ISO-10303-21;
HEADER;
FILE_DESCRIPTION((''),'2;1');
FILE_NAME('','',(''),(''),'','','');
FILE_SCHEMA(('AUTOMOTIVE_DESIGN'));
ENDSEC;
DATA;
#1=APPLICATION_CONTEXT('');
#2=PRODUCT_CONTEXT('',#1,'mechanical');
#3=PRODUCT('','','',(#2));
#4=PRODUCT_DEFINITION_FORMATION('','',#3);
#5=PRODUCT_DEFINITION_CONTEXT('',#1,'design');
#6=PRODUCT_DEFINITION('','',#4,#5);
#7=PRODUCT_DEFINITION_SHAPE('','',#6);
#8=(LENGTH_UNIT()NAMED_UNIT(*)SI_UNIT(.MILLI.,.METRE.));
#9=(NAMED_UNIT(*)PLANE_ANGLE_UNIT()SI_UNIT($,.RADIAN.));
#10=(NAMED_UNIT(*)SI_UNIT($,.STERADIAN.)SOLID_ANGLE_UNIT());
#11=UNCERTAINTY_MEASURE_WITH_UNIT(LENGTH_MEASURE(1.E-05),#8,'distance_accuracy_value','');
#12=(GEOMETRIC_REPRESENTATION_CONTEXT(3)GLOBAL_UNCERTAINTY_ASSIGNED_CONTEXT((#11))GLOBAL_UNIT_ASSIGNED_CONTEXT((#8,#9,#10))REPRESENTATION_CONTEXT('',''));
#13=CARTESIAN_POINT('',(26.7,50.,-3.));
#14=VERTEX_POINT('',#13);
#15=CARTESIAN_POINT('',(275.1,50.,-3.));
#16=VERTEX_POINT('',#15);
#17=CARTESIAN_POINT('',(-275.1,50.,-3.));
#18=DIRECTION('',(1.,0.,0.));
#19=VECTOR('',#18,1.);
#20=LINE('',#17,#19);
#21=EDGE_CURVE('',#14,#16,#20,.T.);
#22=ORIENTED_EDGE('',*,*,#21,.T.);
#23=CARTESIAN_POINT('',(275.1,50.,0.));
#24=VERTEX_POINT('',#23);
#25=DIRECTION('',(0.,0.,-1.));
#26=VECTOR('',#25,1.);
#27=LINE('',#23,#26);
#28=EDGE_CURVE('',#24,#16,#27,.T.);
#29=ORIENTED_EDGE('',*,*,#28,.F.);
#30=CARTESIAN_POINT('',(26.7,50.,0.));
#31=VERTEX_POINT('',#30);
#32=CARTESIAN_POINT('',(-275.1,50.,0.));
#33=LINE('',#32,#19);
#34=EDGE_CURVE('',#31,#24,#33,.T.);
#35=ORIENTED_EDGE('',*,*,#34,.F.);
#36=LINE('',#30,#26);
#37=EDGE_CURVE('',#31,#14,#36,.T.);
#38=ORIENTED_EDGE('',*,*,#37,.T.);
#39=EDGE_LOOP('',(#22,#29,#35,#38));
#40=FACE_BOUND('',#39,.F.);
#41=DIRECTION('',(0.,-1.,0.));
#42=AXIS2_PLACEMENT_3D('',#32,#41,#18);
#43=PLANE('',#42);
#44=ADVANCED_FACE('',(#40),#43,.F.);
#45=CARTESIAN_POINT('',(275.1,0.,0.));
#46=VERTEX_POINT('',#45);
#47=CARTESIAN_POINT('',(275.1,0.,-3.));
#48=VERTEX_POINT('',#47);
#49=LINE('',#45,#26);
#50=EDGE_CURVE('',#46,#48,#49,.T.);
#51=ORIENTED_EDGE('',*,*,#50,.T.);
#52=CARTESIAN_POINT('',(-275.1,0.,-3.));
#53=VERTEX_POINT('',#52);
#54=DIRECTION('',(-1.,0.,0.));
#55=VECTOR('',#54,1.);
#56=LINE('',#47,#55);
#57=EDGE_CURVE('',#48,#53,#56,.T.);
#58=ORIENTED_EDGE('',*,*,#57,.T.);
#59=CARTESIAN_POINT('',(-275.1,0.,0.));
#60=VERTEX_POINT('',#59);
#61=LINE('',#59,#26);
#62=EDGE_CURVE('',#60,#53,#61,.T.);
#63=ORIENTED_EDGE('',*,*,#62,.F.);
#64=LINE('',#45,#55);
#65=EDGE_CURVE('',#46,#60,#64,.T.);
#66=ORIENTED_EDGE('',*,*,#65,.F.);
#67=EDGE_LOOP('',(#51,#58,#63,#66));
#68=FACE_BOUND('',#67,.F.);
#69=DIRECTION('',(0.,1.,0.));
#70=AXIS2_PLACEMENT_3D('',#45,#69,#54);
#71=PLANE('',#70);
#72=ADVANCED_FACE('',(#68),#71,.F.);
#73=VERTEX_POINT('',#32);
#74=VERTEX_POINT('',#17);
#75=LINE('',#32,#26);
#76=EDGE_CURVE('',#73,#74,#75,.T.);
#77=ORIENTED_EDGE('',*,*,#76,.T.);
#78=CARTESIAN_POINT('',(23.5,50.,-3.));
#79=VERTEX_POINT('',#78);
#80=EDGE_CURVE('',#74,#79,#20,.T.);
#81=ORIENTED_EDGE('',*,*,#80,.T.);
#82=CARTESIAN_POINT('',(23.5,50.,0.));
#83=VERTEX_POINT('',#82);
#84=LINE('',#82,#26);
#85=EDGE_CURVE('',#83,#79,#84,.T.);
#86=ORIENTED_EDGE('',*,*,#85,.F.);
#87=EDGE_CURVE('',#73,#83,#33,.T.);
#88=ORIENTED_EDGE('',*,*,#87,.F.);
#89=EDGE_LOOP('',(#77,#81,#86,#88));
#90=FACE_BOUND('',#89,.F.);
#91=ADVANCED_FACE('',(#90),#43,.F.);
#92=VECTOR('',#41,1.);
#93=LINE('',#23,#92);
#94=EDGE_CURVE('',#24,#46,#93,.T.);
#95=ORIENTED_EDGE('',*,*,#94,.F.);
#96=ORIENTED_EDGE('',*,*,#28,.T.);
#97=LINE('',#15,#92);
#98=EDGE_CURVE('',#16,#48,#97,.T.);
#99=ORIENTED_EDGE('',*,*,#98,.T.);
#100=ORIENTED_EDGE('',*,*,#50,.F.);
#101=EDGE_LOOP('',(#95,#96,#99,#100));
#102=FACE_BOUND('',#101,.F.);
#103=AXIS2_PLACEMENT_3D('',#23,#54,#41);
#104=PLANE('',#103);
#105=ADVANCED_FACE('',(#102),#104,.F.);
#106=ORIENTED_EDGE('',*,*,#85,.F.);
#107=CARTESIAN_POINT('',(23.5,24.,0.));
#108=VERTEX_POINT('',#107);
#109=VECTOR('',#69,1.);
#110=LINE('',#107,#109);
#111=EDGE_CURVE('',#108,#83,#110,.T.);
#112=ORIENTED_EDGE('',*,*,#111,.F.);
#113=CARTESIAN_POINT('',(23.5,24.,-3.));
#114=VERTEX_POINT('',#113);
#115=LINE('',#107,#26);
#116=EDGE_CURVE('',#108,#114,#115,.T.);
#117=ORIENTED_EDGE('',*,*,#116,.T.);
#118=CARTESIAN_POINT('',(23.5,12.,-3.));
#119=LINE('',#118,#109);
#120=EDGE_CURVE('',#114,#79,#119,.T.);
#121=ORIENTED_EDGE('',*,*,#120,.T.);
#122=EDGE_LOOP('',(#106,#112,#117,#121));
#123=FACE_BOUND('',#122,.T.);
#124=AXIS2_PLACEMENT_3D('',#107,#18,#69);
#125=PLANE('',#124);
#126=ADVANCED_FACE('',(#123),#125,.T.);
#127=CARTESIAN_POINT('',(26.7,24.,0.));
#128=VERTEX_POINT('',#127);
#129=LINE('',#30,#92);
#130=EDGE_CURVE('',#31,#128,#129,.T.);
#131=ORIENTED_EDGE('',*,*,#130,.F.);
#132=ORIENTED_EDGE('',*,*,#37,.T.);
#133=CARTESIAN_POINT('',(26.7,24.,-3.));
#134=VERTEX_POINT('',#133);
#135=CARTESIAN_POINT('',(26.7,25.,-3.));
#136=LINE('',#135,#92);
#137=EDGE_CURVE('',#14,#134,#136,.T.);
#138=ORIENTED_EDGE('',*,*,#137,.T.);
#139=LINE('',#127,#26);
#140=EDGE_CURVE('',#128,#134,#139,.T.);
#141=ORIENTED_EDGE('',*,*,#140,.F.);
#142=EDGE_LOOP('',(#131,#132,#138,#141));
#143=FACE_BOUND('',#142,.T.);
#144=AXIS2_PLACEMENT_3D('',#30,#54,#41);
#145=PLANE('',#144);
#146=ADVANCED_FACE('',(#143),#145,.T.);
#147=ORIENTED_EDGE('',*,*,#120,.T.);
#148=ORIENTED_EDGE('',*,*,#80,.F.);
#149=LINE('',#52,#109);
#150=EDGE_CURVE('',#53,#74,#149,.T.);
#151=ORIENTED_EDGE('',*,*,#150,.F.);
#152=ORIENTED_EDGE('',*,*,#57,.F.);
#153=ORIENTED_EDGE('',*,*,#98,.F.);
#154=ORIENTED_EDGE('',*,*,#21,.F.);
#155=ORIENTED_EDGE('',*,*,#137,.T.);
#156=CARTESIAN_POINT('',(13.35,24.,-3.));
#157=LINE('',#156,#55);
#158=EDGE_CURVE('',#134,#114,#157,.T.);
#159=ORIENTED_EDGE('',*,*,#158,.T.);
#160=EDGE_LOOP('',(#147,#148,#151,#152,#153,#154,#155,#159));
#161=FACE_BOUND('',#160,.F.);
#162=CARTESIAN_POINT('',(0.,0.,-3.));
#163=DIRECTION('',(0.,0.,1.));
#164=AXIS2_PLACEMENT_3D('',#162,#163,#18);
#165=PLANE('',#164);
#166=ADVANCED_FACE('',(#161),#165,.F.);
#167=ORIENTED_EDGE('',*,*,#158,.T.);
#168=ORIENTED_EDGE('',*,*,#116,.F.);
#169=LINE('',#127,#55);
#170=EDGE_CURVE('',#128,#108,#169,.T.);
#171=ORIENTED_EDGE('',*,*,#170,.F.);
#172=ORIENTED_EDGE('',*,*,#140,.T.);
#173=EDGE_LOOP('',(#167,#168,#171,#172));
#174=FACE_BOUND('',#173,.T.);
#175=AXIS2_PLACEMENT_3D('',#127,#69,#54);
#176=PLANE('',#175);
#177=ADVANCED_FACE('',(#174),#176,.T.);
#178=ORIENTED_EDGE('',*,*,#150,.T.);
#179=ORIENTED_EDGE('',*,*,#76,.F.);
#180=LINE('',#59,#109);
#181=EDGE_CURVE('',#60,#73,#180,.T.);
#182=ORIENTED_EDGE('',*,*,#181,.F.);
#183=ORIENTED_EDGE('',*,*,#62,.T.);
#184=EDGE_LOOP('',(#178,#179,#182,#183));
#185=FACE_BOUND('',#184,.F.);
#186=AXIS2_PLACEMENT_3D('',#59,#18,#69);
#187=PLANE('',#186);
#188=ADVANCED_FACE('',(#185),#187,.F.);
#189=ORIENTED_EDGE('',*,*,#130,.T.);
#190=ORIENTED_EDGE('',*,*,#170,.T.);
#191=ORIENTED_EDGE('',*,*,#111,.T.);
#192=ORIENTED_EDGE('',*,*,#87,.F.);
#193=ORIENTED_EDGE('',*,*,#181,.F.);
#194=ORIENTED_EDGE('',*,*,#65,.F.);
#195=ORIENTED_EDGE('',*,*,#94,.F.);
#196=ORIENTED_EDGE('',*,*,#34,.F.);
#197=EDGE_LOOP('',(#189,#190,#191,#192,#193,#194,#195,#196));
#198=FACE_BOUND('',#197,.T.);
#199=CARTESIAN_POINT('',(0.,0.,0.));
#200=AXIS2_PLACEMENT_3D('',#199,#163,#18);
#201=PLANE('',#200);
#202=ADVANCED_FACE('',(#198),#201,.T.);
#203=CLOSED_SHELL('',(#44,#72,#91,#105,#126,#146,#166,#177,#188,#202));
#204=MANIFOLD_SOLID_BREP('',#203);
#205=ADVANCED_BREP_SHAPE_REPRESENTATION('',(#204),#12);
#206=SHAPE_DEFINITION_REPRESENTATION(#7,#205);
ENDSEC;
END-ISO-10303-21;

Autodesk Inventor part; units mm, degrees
ref_plane "YZ Plane" through (0, 0, 0) normal (1, 0, 0) x (0, 1, 0)
ref_plane "XZ Plane" through (0, 0, 0) normal (0, 1, 0) x (-1, 0, 0)
ref_plane "XY Plane" through (0, 0, 0) normal (0, 0, 1) x (1, 0, 0)
sketch "Sketch8" plane through (0, 0, 0) normal (0, 0, 1) x (1, 0, 0)
  line L0 (-275.1, 50) -> (275.1, 50)
  line L1 (275.1, 50) -> (275.1, 0)
  line L2 (275.1, 0) -> (-275.1, 0)
  line L3 (-275.1, 0) -> (-275.1, 50)
  point P0 (0, 0)
  point P1 (0, 0)
  dimension "d37" = 50
  dimension "d38" = 550.2
extrude "Plate5" add sketch "Sketch8" against normal blind 3
sketch "Sketch9" plane through (0, 0, 0) normal (0, 0, 1) x (1, 0, 0)
  line L0 (275.1, 50) -> (-275.1, 50) projected
  line L1 (23.5, 50) -> (26.7, 50)
  line L2 (26.7, 50) -> (26.7, 24)
  line L3 (26.7, 24) -> (23.5, 24)
  line L4 (23.5, 24) -> (23.5, 50)
  line L5 (-275.1, 50) -> (-275.1, 0) projected
  point P0 (0, 0)
  point P1 (26.7, 50)
  dimension "d42" = 298.6
  dimension "d43" = 3.2
  dimension "d44" = 26
extrude "Extrusion3" cut sketch "Sketch9" against normal through all
equation "\"d41\" = Thickness"
equation "\"BendReliefWidth\" = Thickness"
equation "\"BendReliefDepth\" = 0.5 * Thickness"
equation "\"CornerReliefSize\" = 4 * Thickness"
equation "\"MinimumRemnant\" = 2 * Thickness"
equation "\"TransitionRadius\" = BendRadius"
equation "\"JacobiRadiusSize\" = BendRadius"
equation "\"GapSize\" = Thickness"
equation "\"Thickness\" = 3"
equation "\"BendRadius\" = 5"
properties part number "BSH 042 stringer floor" material "09g2s"
